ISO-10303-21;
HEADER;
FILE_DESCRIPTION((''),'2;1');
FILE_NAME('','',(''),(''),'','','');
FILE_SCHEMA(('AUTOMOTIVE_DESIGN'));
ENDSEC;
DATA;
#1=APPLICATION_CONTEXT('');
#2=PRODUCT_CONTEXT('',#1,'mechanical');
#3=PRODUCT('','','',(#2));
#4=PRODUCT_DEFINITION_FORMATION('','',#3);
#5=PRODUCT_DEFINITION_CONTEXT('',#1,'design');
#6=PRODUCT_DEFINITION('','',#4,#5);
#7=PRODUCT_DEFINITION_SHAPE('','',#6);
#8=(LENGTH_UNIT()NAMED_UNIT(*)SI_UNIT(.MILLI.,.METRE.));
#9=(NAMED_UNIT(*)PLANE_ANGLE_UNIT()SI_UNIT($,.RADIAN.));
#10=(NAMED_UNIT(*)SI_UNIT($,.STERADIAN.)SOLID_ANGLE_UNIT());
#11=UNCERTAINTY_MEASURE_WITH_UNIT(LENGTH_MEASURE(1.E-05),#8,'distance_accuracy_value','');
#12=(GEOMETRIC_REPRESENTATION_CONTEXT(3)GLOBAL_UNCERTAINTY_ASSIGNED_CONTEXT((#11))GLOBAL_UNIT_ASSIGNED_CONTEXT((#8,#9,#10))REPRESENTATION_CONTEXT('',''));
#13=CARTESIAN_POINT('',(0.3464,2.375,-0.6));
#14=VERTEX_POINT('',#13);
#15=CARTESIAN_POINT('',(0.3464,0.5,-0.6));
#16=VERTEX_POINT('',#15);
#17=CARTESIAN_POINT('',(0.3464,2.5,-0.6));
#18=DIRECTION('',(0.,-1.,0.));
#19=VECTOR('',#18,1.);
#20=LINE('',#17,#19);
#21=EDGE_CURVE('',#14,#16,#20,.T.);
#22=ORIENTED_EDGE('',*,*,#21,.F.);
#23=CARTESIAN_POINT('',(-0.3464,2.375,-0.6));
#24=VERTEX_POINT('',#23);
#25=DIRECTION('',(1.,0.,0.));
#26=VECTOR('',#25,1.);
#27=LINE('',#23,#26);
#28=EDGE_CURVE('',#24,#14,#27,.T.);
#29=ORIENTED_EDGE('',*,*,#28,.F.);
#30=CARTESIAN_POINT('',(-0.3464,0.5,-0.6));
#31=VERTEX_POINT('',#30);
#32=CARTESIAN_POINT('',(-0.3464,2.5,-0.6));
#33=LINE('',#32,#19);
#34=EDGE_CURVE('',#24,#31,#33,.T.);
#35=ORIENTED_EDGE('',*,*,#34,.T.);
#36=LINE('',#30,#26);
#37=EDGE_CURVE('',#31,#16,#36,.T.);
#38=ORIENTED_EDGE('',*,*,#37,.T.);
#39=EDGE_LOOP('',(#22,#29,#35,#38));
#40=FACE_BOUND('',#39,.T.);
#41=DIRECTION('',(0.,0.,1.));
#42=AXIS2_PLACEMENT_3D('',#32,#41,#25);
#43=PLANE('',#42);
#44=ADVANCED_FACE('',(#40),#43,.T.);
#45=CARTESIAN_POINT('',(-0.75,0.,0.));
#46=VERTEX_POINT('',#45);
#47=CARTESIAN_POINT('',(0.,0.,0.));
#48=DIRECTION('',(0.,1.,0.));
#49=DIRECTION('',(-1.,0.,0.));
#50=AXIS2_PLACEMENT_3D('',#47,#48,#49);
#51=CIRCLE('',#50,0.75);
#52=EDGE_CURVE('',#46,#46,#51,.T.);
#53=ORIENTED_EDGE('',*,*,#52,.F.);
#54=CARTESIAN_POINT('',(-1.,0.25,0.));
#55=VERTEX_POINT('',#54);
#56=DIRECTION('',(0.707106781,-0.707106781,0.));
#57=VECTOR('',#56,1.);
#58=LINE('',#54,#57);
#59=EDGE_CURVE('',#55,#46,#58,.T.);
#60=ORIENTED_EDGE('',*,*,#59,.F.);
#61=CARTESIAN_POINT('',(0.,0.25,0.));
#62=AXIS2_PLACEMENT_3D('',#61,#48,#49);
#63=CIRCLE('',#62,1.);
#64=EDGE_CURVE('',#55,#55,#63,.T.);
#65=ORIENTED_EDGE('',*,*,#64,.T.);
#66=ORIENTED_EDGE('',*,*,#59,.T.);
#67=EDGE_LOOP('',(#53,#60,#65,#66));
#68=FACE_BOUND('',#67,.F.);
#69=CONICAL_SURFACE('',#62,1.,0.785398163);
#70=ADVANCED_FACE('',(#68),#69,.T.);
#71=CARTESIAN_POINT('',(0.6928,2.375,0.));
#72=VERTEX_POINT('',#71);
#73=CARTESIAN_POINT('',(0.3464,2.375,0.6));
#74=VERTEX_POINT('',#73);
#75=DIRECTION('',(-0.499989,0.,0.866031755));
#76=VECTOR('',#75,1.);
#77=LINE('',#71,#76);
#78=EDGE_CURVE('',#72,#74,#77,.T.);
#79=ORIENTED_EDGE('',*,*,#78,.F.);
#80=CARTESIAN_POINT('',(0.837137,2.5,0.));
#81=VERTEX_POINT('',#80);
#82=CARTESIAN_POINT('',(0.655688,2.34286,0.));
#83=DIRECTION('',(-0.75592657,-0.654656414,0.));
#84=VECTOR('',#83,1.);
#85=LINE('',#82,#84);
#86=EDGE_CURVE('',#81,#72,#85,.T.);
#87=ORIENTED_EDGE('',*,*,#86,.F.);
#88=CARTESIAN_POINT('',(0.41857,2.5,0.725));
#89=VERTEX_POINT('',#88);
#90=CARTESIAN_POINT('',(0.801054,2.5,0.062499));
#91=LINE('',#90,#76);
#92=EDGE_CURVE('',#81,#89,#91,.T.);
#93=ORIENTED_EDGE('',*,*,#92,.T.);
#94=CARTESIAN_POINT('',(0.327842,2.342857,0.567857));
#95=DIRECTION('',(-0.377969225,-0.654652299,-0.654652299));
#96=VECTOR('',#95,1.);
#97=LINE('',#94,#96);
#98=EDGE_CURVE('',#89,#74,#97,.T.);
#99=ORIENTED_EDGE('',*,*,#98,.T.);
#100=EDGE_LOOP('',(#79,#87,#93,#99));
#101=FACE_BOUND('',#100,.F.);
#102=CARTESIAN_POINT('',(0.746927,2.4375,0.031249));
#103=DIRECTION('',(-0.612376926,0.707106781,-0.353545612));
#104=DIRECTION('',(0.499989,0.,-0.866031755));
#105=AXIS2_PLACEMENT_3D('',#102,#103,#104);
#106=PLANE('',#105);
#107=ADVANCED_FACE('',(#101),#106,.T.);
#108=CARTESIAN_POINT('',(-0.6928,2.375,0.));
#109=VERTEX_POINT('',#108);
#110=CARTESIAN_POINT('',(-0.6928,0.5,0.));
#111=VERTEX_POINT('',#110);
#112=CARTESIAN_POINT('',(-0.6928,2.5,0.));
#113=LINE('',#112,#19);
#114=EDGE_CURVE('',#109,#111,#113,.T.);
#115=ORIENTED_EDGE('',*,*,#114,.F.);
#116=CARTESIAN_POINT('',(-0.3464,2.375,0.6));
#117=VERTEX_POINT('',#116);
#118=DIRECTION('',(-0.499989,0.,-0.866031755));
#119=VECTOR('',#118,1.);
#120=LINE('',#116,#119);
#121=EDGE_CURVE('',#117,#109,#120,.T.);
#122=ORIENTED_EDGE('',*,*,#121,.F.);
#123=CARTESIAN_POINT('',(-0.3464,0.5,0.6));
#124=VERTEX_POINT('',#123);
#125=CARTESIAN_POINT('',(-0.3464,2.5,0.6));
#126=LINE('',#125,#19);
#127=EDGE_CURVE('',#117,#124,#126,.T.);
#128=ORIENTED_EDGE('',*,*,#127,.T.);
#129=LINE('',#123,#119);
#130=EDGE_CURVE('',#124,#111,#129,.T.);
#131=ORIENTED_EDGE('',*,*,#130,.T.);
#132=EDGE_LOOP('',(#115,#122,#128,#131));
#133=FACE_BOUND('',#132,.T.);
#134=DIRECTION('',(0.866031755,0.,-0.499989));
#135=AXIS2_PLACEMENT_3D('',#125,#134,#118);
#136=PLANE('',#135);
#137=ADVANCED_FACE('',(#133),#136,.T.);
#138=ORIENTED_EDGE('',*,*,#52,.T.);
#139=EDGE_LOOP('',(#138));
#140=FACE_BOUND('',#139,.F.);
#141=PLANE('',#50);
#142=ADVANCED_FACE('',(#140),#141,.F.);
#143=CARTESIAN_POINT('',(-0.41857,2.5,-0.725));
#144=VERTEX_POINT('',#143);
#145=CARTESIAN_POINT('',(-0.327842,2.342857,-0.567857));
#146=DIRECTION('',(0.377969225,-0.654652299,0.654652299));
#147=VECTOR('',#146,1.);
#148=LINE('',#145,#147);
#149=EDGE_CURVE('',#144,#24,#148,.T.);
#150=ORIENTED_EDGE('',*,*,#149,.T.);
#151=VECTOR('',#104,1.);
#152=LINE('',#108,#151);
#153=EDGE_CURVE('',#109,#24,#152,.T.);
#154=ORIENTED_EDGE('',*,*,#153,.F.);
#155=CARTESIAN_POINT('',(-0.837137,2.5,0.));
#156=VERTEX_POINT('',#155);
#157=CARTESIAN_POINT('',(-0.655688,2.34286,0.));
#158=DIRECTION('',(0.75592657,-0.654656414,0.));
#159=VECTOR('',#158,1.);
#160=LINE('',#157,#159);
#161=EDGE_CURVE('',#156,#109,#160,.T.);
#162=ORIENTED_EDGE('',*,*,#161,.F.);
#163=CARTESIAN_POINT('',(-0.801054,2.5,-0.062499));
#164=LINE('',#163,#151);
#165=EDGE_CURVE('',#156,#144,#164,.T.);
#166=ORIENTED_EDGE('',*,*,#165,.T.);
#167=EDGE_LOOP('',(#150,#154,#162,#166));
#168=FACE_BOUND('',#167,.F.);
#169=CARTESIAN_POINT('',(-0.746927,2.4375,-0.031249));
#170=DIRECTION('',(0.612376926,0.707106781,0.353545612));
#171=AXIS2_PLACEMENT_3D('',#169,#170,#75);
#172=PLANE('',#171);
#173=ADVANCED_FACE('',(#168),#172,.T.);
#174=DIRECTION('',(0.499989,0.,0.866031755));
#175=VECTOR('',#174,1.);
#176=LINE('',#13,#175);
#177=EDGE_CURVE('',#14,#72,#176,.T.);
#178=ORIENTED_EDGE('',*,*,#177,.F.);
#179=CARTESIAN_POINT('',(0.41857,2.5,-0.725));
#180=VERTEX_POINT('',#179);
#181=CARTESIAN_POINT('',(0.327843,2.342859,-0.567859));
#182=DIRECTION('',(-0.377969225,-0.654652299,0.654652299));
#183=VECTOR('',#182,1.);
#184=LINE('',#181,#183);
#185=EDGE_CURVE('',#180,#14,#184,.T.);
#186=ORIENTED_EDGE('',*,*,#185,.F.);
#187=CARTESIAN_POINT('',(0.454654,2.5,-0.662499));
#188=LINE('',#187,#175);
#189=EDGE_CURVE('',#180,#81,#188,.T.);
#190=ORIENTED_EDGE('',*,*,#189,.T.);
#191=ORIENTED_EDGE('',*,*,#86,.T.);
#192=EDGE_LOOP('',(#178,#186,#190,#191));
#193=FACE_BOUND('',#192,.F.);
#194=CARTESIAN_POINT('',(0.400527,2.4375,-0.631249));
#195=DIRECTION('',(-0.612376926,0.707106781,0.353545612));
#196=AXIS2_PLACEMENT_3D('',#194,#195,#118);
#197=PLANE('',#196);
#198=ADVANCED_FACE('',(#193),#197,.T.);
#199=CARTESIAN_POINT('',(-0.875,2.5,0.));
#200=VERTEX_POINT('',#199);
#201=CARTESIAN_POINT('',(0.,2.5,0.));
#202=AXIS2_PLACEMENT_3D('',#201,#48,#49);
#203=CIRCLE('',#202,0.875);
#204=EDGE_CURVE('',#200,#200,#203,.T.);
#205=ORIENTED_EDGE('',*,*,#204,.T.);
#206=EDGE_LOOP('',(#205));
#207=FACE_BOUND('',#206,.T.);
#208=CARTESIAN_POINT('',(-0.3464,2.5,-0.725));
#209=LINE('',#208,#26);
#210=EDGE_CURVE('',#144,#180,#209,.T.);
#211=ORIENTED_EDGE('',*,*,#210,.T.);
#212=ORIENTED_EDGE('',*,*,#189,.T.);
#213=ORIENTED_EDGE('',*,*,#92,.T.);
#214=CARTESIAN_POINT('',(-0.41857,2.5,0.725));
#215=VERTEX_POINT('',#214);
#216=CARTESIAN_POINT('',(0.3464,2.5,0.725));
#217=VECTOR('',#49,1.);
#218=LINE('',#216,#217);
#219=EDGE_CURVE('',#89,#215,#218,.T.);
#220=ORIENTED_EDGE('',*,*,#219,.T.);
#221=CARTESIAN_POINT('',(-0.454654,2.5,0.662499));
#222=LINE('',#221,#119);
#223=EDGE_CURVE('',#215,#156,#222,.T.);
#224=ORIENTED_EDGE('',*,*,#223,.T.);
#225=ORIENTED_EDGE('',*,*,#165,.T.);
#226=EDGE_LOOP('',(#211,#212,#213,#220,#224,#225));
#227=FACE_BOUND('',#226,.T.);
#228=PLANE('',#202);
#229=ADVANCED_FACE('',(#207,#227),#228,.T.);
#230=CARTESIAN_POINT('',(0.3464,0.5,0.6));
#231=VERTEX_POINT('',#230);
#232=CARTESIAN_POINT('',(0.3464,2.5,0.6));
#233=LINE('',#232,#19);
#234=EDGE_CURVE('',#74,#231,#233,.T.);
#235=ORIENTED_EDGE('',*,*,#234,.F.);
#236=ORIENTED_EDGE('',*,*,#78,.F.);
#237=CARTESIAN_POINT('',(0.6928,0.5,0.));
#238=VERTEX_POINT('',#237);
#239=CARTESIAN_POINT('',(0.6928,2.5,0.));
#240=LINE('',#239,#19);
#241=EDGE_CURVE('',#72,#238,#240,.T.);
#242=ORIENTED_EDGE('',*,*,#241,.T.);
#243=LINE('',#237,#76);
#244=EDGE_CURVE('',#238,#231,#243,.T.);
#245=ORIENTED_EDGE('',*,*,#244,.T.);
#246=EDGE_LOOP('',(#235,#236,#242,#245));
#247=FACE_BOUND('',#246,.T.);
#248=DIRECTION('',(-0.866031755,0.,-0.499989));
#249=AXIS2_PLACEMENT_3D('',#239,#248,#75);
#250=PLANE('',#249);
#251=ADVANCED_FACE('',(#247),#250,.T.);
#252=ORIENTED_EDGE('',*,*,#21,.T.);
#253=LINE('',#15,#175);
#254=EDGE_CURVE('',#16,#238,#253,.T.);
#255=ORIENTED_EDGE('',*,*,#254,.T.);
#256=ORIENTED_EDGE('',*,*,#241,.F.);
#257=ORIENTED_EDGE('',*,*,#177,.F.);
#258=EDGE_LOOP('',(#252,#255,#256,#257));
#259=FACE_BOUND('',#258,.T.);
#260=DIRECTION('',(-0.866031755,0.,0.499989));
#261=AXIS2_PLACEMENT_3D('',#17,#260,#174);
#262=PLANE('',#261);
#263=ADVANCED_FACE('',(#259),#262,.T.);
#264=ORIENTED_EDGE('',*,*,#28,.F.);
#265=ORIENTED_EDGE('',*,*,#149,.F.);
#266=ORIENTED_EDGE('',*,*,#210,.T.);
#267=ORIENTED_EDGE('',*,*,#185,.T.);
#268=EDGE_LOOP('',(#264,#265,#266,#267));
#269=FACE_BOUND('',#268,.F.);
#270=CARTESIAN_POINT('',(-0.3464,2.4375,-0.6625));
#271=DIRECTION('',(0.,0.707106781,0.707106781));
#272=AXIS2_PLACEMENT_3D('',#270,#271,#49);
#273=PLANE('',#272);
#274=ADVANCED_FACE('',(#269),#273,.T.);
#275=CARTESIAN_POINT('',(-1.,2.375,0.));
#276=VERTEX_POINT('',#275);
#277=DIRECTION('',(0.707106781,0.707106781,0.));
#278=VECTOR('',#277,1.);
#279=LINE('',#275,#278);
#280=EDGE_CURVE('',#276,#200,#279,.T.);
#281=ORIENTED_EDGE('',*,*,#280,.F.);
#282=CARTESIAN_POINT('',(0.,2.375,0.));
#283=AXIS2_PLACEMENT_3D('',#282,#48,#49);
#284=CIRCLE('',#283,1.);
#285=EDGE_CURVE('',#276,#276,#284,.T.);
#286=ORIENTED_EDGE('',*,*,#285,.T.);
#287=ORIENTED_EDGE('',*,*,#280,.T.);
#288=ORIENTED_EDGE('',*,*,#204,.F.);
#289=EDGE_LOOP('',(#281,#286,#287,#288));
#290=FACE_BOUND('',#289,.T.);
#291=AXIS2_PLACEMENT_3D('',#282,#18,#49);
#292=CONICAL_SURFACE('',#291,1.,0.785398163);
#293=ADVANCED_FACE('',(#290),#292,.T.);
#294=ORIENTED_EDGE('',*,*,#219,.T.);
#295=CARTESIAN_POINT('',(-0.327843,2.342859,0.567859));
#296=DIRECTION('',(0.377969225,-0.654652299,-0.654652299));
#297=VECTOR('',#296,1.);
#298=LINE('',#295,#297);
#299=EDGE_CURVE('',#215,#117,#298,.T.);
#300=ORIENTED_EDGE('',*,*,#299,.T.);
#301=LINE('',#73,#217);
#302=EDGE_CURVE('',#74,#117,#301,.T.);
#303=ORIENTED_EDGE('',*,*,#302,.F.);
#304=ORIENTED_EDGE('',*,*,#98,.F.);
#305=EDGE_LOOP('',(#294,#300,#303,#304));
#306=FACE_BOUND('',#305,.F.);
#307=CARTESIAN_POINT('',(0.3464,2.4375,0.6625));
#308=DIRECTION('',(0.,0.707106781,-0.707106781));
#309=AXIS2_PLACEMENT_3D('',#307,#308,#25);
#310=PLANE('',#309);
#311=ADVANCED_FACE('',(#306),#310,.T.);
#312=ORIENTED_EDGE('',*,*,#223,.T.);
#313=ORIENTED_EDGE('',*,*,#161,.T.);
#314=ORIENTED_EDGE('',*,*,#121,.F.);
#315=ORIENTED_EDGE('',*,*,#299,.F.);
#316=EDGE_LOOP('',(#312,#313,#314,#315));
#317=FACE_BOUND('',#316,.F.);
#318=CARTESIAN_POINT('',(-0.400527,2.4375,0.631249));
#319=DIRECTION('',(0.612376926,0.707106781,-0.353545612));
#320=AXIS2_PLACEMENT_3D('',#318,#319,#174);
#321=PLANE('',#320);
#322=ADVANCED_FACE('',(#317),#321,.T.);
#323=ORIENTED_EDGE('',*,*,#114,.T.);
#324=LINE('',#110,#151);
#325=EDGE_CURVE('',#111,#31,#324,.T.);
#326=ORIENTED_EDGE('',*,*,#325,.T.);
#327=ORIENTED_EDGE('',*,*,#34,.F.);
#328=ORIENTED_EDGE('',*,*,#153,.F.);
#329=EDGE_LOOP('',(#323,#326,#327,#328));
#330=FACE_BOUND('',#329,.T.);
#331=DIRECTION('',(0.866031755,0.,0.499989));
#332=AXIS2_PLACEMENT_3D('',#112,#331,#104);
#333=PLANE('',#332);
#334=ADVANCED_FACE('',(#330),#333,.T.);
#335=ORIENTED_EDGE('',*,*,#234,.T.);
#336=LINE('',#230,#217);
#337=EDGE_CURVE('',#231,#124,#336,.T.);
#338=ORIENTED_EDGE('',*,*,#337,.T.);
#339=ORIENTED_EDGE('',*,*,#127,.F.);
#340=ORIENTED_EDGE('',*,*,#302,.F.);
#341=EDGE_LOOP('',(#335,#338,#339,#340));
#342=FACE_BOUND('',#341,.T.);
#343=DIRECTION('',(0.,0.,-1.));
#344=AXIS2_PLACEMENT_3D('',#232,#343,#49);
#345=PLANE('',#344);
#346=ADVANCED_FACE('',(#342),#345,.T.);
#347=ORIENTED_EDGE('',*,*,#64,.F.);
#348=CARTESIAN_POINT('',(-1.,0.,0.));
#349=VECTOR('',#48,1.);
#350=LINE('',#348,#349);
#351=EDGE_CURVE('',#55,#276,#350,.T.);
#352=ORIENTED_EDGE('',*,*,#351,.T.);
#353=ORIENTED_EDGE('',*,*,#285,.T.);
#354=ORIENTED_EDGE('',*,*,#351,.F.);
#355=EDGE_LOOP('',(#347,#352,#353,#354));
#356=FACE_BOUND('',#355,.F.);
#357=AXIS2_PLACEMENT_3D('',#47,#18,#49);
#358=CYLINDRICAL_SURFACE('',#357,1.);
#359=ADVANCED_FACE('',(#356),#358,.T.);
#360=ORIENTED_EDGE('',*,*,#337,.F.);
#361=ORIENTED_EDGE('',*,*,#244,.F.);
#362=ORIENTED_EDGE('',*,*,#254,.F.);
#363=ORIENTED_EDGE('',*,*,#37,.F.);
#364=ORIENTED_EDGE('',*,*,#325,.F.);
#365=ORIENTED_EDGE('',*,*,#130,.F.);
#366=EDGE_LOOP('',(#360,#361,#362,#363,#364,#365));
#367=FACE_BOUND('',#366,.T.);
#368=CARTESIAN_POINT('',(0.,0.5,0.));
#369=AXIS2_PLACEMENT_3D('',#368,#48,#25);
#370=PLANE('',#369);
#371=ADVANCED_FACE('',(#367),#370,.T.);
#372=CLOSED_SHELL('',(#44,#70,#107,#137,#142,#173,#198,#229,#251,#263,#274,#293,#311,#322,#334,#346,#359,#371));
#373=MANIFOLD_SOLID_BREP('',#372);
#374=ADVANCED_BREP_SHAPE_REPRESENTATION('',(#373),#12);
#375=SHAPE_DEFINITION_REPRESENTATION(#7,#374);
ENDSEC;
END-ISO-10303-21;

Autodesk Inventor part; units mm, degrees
ref_plane "YZ Plane" through (0, 0, 0) normal (1, 0, 0) x (0, 1, 0)
ref_plane "XZ Plane" through (0, 0, 0) normal (0, 1, 0) x (-1, 0, 0)
ref_plane "XY Plane" through (0, 0, 0) normal (0, 0, 1) x (1, 0, 0)
sketch "草圖1" plane through (0, 0, 0) normal (0, 1, 0) x (-1, 0, 0)
  circle A0 centre (0, 0) radius 1
  dimension "d0" = 2
extrude "擠出1" add sketch "草圖1" along normal blind 2.5
thread "螺紋1" size "M2x0.4" class "6g" standard "ANSI Metric M Profile" full length
chamfer "倒角1" distance 0.25 angle 45 1 edges at (1, 0, 0)
sketch "草圖2" plane through (0, 2.5, 0) normal (0, 1, 0) x (1, 0, 0)
  circle A0 centre (0, 0) radius 1 projected
  line L0 (0.3464, 0.6) -> (0.6928, 0)
  line L1 (0.6928, 0) -> (0.3464, -0.6)
  line L2 (0.3464, -0.6) -> (-0.3464, -0.6)
  line L3 (-0.3464, -0.6) -> (-0.6928, 0)
  line L4 (-0.6928, 0) -> (-0.3464, 0.6)
  line L5 (-0.3464, 0.6) -> (0.3464, 0.6)
  dimension "d9" = 1.2
extrude "擠出2" cut sketch "草圖2" against normal blind 2 contours L0 L1 L2 L3 L4 L5
chamfer "倒角2" distance 0.125 angle 45 7 edges at (1, 2.5, 0) (0.5196, 2.5, -0.3) (0.5196, 2.5, 0.3) (0, 2.5, 0.6) (-0.5196, 2.5, 0.3) (-0.5196, 2.5, -0.3) (0, 2.5, -0.6)
properties part number "screw_M2_2"
